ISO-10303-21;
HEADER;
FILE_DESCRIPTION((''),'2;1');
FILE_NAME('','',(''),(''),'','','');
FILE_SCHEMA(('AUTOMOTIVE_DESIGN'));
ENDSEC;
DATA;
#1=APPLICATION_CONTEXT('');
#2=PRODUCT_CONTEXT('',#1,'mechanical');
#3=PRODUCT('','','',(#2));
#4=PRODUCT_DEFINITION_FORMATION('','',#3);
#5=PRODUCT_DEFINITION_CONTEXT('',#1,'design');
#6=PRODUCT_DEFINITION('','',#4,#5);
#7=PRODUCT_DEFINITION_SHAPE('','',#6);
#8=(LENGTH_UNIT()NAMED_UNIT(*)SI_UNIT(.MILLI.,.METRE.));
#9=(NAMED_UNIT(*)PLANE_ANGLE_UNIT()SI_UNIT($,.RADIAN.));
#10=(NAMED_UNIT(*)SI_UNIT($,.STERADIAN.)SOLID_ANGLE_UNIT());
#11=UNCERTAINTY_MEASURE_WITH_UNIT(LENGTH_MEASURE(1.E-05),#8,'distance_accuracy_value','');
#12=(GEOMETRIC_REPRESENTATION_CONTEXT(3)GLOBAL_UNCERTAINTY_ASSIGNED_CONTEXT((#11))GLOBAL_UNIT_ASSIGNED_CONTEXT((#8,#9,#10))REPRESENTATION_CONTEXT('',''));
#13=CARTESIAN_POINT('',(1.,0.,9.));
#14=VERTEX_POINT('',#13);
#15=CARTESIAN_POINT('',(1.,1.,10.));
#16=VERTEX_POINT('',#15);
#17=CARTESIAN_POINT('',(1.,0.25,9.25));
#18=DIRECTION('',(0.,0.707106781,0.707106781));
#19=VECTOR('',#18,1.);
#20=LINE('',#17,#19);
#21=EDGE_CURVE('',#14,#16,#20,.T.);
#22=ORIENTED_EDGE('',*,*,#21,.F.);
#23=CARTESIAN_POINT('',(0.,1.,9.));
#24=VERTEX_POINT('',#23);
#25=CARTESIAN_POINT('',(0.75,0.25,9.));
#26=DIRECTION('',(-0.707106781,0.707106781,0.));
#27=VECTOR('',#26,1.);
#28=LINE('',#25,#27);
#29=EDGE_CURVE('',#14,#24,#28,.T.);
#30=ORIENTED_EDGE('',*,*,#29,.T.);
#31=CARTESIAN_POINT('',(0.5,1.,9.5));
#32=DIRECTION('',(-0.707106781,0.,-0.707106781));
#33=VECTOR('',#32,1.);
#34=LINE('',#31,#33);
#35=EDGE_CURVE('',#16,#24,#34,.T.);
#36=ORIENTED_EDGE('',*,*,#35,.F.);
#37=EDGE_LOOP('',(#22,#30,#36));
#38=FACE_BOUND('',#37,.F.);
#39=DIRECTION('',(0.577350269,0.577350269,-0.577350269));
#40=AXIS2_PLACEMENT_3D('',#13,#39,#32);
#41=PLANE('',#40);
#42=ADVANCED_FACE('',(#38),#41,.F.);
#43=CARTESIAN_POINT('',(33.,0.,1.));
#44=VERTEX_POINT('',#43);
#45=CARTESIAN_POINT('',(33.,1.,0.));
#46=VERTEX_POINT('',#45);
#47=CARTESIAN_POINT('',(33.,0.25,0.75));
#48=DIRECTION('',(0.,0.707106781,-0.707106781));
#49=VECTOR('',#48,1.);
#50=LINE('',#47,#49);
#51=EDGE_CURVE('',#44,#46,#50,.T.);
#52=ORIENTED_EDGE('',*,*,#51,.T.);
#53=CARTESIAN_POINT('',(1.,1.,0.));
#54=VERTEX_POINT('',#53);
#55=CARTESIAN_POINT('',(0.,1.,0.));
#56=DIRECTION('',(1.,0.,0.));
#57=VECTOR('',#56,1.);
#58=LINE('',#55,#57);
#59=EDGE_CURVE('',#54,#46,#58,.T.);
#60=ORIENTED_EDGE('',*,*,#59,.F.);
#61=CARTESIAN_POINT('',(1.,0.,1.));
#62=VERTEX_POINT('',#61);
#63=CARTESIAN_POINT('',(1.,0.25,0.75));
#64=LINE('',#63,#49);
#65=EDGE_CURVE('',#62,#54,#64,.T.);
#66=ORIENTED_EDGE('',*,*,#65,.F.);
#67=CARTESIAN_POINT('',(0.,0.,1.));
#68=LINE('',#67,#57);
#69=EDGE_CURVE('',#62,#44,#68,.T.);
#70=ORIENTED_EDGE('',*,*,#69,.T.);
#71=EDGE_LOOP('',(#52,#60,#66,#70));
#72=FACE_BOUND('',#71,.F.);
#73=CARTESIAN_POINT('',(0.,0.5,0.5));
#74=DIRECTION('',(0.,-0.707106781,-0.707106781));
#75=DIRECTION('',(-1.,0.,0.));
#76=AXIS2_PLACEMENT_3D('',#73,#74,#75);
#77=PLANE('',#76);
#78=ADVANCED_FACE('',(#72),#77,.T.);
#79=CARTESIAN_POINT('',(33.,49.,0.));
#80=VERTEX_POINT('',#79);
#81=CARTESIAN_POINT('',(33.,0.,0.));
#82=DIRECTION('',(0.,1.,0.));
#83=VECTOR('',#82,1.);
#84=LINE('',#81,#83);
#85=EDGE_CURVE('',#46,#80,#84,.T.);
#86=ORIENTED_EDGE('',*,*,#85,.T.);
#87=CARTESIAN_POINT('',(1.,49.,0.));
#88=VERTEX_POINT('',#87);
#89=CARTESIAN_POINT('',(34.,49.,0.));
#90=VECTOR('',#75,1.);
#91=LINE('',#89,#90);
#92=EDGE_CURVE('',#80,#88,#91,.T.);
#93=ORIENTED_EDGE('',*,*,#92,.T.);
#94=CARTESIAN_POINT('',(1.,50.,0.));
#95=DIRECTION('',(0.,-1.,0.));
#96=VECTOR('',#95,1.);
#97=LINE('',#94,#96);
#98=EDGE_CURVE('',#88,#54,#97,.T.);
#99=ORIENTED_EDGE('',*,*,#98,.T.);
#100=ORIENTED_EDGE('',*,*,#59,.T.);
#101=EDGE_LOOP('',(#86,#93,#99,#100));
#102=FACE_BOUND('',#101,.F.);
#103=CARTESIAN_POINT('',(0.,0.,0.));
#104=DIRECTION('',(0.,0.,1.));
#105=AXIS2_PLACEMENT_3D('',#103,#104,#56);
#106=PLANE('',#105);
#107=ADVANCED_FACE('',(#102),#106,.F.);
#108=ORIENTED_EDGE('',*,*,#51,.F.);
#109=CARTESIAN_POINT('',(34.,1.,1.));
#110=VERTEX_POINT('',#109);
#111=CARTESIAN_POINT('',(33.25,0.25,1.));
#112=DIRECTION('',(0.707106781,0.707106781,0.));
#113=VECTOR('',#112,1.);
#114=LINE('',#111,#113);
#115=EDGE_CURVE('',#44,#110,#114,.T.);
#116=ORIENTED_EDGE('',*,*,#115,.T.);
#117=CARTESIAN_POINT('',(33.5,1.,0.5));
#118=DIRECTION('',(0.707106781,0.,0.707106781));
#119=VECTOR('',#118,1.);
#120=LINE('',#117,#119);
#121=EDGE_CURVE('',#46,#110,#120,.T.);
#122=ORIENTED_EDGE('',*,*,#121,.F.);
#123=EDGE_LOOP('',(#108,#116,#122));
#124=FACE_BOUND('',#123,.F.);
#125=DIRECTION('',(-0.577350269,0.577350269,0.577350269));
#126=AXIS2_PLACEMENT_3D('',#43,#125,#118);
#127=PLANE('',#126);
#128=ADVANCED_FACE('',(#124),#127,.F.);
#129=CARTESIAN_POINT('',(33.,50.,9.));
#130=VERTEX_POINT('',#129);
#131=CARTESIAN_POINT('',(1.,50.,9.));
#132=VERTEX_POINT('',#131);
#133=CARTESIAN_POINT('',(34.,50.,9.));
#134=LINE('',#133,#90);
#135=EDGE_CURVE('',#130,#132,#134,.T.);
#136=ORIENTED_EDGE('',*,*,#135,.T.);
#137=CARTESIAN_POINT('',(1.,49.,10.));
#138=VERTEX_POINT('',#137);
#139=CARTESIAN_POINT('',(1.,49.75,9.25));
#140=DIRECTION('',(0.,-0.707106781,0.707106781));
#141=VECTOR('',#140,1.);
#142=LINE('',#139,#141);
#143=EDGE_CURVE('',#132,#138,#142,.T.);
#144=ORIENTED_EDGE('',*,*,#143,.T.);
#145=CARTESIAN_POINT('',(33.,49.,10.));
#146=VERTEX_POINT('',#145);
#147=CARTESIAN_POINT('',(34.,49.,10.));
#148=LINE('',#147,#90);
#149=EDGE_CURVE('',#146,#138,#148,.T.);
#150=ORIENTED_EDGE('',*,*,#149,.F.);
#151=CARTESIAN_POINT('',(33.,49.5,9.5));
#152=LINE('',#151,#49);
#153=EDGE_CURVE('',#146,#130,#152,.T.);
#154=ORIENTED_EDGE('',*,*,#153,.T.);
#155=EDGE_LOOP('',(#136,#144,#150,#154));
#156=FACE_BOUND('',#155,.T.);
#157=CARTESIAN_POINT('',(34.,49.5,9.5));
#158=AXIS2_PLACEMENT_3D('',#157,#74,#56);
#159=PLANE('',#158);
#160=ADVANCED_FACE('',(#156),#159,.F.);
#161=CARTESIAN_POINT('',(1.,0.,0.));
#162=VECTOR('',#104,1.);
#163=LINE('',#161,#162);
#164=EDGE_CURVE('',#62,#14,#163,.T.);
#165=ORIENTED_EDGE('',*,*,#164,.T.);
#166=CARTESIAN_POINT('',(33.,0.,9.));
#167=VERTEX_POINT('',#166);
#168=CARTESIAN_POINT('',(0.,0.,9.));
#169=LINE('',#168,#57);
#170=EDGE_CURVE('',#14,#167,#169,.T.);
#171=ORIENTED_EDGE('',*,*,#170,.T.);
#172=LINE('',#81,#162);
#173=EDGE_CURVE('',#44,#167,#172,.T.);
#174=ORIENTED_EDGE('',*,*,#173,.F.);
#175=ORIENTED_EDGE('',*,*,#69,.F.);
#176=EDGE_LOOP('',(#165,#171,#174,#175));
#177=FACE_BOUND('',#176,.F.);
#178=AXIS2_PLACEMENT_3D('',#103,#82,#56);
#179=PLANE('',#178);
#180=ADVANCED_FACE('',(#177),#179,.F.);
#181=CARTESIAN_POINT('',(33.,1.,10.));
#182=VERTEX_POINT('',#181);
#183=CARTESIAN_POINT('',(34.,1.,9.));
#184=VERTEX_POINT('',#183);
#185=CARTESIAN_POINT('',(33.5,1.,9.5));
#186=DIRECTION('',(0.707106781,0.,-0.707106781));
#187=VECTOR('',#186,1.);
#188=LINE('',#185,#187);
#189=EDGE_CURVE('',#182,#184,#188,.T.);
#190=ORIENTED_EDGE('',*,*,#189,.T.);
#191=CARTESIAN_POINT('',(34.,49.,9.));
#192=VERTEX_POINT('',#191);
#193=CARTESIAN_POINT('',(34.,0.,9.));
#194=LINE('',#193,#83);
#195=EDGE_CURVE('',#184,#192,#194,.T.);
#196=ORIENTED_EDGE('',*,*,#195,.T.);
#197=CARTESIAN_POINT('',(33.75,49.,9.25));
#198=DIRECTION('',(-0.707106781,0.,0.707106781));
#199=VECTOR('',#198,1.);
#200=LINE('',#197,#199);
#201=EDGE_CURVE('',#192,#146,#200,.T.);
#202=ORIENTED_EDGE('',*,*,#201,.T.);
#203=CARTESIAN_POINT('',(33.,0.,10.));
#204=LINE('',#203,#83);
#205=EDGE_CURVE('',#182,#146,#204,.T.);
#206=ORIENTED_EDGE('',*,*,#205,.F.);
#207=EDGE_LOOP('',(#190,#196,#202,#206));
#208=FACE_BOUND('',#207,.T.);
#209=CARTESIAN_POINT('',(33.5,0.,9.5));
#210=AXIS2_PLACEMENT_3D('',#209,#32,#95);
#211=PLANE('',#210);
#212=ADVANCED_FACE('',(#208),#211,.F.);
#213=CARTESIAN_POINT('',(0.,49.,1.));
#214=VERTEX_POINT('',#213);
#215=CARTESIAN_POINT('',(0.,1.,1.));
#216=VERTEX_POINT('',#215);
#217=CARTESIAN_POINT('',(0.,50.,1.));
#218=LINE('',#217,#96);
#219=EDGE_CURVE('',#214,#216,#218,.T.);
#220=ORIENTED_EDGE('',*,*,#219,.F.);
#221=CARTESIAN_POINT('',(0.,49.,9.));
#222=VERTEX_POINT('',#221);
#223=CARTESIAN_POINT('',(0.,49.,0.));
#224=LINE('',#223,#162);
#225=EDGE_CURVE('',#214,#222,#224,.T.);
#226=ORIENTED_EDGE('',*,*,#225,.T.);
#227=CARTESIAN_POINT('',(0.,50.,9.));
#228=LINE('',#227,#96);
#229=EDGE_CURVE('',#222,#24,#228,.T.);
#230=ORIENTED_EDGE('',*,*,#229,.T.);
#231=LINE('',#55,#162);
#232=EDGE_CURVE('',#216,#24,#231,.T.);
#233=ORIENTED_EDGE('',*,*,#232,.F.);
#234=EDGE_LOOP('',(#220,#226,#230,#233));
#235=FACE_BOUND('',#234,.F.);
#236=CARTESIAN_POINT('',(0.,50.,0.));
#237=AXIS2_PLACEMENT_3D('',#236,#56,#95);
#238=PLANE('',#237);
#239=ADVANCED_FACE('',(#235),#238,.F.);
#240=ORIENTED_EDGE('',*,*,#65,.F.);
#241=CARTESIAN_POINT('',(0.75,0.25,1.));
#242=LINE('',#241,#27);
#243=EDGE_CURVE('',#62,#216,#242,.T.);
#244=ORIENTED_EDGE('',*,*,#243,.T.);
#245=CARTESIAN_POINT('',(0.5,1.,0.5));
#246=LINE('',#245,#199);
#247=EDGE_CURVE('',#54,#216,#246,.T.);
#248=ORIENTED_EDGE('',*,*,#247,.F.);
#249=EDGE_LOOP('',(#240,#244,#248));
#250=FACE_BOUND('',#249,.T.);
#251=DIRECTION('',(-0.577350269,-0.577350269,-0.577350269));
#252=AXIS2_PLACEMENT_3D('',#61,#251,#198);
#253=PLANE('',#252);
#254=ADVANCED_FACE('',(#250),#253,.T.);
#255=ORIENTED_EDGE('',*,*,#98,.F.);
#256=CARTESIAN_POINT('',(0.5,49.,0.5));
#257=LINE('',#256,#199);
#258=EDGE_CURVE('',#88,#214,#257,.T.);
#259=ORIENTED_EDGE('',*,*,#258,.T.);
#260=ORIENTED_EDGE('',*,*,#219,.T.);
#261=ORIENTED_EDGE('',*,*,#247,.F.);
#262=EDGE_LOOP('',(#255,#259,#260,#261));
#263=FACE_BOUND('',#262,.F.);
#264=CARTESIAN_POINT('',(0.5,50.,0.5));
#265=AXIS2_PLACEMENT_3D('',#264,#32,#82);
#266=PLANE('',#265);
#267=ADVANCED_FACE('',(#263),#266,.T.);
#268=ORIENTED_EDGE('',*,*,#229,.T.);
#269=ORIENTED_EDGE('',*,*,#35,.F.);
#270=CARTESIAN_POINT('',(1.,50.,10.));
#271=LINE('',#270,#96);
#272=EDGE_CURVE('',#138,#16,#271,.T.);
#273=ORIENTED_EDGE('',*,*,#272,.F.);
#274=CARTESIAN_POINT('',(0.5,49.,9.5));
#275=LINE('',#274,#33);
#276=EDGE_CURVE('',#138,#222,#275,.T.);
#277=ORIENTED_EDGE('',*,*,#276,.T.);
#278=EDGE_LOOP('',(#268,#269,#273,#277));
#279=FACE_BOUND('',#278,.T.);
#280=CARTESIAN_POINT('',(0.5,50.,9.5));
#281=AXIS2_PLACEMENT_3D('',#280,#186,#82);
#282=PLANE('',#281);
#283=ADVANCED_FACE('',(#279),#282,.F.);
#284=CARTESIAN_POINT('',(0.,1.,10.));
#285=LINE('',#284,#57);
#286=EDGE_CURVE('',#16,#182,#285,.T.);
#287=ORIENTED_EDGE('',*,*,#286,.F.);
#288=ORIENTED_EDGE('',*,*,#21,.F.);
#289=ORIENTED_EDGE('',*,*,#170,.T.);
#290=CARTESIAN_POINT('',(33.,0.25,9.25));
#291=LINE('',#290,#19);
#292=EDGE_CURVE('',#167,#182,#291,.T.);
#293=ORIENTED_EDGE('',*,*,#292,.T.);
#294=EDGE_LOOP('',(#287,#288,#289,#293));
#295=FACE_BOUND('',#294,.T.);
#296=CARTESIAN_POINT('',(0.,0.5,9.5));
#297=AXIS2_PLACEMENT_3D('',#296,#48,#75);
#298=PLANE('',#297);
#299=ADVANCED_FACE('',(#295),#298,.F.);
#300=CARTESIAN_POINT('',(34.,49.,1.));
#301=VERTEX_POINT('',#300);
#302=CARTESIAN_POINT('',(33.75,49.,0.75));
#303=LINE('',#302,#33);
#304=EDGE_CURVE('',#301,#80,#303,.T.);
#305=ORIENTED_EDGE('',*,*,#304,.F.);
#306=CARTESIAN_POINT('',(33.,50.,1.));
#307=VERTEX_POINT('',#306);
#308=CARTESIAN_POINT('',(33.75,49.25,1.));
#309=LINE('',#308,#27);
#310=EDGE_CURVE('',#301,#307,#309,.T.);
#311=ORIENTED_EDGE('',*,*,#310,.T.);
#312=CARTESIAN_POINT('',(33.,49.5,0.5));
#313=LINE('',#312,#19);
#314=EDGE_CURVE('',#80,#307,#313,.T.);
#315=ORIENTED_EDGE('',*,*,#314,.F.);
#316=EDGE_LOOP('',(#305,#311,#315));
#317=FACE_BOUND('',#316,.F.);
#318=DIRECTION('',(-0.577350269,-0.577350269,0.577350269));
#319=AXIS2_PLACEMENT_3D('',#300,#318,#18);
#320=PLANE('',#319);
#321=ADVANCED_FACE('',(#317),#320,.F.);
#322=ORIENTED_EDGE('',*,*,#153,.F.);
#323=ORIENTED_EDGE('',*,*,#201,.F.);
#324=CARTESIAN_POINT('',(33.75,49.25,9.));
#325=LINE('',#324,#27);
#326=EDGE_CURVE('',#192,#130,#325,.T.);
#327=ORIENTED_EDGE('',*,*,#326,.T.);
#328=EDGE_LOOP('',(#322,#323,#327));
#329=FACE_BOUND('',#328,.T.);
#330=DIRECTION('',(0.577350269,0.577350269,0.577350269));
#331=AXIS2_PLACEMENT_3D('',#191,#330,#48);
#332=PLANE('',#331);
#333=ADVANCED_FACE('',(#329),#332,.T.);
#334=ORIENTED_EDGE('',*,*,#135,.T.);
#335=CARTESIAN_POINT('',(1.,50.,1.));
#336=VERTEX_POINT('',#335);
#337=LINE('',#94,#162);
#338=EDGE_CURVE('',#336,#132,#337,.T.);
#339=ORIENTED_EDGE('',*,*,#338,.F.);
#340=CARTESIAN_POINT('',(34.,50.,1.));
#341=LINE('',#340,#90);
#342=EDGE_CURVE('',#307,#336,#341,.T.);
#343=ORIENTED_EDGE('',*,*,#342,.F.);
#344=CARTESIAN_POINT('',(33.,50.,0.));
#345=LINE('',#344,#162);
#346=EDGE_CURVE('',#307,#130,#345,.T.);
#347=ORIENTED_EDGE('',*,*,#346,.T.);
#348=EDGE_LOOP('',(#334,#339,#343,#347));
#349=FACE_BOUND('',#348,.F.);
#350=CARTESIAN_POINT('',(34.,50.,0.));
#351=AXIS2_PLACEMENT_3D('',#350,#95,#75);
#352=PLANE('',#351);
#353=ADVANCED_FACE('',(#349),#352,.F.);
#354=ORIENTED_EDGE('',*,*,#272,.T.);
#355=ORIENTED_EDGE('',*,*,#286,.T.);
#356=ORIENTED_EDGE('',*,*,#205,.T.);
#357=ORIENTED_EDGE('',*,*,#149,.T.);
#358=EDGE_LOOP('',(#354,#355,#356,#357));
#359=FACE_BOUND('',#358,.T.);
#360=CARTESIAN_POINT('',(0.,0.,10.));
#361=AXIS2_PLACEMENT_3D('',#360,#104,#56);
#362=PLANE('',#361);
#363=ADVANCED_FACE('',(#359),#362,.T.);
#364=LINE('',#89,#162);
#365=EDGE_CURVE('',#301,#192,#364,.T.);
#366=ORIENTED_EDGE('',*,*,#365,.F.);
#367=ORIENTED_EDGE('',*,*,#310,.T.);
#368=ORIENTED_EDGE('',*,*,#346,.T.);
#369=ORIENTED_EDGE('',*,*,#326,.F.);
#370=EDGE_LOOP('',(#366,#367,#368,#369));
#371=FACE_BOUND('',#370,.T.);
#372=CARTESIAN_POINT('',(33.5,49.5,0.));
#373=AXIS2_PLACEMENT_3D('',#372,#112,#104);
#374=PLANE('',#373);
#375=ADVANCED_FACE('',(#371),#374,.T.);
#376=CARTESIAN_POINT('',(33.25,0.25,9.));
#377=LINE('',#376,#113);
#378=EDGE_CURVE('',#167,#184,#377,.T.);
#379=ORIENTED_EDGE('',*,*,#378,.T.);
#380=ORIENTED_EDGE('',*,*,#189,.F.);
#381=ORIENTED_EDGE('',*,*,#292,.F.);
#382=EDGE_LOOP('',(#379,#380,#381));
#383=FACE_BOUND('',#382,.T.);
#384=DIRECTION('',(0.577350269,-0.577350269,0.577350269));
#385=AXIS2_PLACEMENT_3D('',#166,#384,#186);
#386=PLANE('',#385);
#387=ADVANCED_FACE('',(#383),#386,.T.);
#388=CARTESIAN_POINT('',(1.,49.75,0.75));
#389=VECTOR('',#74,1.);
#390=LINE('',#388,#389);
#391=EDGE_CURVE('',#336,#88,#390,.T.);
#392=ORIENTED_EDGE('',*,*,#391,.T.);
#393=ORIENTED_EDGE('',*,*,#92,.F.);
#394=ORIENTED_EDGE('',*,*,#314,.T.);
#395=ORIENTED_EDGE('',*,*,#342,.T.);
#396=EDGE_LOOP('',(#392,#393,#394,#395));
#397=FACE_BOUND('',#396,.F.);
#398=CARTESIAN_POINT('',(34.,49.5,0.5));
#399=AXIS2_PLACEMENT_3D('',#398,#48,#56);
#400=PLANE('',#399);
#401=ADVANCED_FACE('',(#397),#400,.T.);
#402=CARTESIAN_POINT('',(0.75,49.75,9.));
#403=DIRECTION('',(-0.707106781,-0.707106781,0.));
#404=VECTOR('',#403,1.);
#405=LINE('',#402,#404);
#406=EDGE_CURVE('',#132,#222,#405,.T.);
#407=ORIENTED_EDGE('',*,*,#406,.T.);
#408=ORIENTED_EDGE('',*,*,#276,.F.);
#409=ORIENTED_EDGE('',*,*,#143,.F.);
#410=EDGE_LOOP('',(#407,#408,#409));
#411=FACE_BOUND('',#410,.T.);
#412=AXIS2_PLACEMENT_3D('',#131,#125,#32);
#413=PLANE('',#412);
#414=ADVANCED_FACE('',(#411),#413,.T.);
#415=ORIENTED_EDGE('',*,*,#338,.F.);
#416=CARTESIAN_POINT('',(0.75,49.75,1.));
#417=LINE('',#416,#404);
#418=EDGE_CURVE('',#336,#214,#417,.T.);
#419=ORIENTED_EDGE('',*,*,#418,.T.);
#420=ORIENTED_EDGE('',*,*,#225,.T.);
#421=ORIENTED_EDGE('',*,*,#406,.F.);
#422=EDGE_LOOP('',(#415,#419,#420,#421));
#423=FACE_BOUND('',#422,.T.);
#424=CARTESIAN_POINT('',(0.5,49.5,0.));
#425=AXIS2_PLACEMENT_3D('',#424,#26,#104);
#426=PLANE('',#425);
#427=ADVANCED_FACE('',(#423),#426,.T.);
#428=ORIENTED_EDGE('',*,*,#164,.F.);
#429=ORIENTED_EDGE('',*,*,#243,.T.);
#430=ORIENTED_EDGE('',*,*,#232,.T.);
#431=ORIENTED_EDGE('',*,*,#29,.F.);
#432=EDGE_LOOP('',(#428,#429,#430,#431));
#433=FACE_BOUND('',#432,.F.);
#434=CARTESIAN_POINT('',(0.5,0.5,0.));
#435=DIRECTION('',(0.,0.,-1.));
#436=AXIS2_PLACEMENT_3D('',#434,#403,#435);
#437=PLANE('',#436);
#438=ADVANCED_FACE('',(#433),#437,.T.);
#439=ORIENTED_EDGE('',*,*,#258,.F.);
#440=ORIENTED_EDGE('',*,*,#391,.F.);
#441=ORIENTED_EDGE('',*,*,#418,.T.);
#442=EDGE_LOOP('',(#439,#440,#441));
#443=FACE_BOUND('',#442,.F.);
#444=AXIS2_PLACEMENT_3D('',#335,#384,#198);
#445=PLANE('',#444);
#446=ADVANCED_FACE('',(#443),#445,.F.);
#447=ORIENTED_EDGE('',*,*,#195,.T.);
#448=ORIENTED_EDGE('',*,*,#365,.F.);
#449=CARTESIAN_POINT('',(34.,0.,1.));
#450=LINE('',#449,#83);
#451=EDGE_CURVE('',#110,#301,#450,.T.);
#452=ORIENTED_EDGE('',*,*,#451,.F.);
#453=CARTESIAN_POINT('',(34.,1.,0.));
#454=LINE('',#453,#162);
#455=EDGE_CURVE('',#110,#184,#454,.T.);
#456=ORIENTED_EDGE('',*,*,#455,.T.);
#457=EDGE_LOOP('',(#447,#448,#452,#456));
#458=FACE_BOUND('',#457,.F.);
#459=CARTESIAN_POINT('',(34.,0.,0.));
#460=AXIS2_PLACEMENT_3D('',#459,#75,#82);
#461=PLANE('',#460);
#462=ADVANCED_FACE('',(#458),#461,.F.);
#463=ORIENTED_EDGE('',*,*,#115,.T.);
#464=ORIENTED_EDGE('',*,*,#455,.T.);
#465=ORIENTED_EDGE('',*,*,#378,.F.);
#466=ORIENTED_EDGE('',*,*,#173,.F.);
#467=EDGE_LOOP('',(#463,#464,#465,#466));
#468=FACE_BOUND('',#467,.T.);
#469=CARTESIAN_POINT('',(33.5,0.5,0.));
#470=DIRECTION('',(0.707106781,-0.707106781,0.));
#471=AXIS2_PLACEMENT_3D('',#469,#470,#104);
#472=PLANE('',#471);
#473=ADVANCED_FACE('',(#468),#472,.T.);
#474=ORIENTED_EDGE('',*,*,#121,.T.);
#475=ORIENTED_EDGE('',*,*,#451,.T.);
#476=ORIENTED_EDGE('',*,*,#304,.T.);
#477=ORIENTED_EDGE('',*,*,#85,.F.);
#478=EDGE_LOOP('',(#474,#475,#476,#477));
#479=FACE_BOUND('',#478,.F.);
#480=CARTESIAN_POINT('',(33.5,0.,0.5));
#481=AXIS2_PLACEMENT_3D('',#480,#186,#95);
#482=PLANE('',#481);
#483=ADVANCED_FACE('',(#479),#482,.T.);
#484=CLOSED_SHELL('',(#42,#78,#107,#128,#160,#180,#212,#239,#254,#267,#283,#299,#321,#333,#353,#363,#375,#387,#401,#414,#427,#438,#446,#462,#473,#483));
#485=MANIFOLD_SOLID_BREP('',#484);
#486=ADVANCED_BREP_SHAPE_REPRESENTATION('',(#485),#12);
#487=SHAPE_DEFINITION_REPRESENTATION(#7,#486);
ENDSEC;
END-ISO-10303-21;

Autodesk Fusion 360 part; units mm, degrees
sketch "Sketch1" plane through (0, 0, 0) normal (0, 0, 1) x (1, 0, 0)
  line L0 (0, 0) -> (34, 0)
  line L1 (34, 0) -> (34, 50)
  line L2 (34, 50) -> (0, 50)
  line L3 (0, 50) -> (0, 0)
  dimension "d1" = 34
  dimension "d2" = 50
extrude "Extrude1" add sketch "Sketch1" along normal blind 10
chamfer "Chamfer1" distance 1 distance2 1 6 faces at (11.3333, 33.3333, 10) (11.3333, 33.3333, 0) (34, 16.6667, 3.3333) (11.3333, 0, 3.3333) (0, 33.3333, 3.3333) (22.6667, 50, 3.3333)
